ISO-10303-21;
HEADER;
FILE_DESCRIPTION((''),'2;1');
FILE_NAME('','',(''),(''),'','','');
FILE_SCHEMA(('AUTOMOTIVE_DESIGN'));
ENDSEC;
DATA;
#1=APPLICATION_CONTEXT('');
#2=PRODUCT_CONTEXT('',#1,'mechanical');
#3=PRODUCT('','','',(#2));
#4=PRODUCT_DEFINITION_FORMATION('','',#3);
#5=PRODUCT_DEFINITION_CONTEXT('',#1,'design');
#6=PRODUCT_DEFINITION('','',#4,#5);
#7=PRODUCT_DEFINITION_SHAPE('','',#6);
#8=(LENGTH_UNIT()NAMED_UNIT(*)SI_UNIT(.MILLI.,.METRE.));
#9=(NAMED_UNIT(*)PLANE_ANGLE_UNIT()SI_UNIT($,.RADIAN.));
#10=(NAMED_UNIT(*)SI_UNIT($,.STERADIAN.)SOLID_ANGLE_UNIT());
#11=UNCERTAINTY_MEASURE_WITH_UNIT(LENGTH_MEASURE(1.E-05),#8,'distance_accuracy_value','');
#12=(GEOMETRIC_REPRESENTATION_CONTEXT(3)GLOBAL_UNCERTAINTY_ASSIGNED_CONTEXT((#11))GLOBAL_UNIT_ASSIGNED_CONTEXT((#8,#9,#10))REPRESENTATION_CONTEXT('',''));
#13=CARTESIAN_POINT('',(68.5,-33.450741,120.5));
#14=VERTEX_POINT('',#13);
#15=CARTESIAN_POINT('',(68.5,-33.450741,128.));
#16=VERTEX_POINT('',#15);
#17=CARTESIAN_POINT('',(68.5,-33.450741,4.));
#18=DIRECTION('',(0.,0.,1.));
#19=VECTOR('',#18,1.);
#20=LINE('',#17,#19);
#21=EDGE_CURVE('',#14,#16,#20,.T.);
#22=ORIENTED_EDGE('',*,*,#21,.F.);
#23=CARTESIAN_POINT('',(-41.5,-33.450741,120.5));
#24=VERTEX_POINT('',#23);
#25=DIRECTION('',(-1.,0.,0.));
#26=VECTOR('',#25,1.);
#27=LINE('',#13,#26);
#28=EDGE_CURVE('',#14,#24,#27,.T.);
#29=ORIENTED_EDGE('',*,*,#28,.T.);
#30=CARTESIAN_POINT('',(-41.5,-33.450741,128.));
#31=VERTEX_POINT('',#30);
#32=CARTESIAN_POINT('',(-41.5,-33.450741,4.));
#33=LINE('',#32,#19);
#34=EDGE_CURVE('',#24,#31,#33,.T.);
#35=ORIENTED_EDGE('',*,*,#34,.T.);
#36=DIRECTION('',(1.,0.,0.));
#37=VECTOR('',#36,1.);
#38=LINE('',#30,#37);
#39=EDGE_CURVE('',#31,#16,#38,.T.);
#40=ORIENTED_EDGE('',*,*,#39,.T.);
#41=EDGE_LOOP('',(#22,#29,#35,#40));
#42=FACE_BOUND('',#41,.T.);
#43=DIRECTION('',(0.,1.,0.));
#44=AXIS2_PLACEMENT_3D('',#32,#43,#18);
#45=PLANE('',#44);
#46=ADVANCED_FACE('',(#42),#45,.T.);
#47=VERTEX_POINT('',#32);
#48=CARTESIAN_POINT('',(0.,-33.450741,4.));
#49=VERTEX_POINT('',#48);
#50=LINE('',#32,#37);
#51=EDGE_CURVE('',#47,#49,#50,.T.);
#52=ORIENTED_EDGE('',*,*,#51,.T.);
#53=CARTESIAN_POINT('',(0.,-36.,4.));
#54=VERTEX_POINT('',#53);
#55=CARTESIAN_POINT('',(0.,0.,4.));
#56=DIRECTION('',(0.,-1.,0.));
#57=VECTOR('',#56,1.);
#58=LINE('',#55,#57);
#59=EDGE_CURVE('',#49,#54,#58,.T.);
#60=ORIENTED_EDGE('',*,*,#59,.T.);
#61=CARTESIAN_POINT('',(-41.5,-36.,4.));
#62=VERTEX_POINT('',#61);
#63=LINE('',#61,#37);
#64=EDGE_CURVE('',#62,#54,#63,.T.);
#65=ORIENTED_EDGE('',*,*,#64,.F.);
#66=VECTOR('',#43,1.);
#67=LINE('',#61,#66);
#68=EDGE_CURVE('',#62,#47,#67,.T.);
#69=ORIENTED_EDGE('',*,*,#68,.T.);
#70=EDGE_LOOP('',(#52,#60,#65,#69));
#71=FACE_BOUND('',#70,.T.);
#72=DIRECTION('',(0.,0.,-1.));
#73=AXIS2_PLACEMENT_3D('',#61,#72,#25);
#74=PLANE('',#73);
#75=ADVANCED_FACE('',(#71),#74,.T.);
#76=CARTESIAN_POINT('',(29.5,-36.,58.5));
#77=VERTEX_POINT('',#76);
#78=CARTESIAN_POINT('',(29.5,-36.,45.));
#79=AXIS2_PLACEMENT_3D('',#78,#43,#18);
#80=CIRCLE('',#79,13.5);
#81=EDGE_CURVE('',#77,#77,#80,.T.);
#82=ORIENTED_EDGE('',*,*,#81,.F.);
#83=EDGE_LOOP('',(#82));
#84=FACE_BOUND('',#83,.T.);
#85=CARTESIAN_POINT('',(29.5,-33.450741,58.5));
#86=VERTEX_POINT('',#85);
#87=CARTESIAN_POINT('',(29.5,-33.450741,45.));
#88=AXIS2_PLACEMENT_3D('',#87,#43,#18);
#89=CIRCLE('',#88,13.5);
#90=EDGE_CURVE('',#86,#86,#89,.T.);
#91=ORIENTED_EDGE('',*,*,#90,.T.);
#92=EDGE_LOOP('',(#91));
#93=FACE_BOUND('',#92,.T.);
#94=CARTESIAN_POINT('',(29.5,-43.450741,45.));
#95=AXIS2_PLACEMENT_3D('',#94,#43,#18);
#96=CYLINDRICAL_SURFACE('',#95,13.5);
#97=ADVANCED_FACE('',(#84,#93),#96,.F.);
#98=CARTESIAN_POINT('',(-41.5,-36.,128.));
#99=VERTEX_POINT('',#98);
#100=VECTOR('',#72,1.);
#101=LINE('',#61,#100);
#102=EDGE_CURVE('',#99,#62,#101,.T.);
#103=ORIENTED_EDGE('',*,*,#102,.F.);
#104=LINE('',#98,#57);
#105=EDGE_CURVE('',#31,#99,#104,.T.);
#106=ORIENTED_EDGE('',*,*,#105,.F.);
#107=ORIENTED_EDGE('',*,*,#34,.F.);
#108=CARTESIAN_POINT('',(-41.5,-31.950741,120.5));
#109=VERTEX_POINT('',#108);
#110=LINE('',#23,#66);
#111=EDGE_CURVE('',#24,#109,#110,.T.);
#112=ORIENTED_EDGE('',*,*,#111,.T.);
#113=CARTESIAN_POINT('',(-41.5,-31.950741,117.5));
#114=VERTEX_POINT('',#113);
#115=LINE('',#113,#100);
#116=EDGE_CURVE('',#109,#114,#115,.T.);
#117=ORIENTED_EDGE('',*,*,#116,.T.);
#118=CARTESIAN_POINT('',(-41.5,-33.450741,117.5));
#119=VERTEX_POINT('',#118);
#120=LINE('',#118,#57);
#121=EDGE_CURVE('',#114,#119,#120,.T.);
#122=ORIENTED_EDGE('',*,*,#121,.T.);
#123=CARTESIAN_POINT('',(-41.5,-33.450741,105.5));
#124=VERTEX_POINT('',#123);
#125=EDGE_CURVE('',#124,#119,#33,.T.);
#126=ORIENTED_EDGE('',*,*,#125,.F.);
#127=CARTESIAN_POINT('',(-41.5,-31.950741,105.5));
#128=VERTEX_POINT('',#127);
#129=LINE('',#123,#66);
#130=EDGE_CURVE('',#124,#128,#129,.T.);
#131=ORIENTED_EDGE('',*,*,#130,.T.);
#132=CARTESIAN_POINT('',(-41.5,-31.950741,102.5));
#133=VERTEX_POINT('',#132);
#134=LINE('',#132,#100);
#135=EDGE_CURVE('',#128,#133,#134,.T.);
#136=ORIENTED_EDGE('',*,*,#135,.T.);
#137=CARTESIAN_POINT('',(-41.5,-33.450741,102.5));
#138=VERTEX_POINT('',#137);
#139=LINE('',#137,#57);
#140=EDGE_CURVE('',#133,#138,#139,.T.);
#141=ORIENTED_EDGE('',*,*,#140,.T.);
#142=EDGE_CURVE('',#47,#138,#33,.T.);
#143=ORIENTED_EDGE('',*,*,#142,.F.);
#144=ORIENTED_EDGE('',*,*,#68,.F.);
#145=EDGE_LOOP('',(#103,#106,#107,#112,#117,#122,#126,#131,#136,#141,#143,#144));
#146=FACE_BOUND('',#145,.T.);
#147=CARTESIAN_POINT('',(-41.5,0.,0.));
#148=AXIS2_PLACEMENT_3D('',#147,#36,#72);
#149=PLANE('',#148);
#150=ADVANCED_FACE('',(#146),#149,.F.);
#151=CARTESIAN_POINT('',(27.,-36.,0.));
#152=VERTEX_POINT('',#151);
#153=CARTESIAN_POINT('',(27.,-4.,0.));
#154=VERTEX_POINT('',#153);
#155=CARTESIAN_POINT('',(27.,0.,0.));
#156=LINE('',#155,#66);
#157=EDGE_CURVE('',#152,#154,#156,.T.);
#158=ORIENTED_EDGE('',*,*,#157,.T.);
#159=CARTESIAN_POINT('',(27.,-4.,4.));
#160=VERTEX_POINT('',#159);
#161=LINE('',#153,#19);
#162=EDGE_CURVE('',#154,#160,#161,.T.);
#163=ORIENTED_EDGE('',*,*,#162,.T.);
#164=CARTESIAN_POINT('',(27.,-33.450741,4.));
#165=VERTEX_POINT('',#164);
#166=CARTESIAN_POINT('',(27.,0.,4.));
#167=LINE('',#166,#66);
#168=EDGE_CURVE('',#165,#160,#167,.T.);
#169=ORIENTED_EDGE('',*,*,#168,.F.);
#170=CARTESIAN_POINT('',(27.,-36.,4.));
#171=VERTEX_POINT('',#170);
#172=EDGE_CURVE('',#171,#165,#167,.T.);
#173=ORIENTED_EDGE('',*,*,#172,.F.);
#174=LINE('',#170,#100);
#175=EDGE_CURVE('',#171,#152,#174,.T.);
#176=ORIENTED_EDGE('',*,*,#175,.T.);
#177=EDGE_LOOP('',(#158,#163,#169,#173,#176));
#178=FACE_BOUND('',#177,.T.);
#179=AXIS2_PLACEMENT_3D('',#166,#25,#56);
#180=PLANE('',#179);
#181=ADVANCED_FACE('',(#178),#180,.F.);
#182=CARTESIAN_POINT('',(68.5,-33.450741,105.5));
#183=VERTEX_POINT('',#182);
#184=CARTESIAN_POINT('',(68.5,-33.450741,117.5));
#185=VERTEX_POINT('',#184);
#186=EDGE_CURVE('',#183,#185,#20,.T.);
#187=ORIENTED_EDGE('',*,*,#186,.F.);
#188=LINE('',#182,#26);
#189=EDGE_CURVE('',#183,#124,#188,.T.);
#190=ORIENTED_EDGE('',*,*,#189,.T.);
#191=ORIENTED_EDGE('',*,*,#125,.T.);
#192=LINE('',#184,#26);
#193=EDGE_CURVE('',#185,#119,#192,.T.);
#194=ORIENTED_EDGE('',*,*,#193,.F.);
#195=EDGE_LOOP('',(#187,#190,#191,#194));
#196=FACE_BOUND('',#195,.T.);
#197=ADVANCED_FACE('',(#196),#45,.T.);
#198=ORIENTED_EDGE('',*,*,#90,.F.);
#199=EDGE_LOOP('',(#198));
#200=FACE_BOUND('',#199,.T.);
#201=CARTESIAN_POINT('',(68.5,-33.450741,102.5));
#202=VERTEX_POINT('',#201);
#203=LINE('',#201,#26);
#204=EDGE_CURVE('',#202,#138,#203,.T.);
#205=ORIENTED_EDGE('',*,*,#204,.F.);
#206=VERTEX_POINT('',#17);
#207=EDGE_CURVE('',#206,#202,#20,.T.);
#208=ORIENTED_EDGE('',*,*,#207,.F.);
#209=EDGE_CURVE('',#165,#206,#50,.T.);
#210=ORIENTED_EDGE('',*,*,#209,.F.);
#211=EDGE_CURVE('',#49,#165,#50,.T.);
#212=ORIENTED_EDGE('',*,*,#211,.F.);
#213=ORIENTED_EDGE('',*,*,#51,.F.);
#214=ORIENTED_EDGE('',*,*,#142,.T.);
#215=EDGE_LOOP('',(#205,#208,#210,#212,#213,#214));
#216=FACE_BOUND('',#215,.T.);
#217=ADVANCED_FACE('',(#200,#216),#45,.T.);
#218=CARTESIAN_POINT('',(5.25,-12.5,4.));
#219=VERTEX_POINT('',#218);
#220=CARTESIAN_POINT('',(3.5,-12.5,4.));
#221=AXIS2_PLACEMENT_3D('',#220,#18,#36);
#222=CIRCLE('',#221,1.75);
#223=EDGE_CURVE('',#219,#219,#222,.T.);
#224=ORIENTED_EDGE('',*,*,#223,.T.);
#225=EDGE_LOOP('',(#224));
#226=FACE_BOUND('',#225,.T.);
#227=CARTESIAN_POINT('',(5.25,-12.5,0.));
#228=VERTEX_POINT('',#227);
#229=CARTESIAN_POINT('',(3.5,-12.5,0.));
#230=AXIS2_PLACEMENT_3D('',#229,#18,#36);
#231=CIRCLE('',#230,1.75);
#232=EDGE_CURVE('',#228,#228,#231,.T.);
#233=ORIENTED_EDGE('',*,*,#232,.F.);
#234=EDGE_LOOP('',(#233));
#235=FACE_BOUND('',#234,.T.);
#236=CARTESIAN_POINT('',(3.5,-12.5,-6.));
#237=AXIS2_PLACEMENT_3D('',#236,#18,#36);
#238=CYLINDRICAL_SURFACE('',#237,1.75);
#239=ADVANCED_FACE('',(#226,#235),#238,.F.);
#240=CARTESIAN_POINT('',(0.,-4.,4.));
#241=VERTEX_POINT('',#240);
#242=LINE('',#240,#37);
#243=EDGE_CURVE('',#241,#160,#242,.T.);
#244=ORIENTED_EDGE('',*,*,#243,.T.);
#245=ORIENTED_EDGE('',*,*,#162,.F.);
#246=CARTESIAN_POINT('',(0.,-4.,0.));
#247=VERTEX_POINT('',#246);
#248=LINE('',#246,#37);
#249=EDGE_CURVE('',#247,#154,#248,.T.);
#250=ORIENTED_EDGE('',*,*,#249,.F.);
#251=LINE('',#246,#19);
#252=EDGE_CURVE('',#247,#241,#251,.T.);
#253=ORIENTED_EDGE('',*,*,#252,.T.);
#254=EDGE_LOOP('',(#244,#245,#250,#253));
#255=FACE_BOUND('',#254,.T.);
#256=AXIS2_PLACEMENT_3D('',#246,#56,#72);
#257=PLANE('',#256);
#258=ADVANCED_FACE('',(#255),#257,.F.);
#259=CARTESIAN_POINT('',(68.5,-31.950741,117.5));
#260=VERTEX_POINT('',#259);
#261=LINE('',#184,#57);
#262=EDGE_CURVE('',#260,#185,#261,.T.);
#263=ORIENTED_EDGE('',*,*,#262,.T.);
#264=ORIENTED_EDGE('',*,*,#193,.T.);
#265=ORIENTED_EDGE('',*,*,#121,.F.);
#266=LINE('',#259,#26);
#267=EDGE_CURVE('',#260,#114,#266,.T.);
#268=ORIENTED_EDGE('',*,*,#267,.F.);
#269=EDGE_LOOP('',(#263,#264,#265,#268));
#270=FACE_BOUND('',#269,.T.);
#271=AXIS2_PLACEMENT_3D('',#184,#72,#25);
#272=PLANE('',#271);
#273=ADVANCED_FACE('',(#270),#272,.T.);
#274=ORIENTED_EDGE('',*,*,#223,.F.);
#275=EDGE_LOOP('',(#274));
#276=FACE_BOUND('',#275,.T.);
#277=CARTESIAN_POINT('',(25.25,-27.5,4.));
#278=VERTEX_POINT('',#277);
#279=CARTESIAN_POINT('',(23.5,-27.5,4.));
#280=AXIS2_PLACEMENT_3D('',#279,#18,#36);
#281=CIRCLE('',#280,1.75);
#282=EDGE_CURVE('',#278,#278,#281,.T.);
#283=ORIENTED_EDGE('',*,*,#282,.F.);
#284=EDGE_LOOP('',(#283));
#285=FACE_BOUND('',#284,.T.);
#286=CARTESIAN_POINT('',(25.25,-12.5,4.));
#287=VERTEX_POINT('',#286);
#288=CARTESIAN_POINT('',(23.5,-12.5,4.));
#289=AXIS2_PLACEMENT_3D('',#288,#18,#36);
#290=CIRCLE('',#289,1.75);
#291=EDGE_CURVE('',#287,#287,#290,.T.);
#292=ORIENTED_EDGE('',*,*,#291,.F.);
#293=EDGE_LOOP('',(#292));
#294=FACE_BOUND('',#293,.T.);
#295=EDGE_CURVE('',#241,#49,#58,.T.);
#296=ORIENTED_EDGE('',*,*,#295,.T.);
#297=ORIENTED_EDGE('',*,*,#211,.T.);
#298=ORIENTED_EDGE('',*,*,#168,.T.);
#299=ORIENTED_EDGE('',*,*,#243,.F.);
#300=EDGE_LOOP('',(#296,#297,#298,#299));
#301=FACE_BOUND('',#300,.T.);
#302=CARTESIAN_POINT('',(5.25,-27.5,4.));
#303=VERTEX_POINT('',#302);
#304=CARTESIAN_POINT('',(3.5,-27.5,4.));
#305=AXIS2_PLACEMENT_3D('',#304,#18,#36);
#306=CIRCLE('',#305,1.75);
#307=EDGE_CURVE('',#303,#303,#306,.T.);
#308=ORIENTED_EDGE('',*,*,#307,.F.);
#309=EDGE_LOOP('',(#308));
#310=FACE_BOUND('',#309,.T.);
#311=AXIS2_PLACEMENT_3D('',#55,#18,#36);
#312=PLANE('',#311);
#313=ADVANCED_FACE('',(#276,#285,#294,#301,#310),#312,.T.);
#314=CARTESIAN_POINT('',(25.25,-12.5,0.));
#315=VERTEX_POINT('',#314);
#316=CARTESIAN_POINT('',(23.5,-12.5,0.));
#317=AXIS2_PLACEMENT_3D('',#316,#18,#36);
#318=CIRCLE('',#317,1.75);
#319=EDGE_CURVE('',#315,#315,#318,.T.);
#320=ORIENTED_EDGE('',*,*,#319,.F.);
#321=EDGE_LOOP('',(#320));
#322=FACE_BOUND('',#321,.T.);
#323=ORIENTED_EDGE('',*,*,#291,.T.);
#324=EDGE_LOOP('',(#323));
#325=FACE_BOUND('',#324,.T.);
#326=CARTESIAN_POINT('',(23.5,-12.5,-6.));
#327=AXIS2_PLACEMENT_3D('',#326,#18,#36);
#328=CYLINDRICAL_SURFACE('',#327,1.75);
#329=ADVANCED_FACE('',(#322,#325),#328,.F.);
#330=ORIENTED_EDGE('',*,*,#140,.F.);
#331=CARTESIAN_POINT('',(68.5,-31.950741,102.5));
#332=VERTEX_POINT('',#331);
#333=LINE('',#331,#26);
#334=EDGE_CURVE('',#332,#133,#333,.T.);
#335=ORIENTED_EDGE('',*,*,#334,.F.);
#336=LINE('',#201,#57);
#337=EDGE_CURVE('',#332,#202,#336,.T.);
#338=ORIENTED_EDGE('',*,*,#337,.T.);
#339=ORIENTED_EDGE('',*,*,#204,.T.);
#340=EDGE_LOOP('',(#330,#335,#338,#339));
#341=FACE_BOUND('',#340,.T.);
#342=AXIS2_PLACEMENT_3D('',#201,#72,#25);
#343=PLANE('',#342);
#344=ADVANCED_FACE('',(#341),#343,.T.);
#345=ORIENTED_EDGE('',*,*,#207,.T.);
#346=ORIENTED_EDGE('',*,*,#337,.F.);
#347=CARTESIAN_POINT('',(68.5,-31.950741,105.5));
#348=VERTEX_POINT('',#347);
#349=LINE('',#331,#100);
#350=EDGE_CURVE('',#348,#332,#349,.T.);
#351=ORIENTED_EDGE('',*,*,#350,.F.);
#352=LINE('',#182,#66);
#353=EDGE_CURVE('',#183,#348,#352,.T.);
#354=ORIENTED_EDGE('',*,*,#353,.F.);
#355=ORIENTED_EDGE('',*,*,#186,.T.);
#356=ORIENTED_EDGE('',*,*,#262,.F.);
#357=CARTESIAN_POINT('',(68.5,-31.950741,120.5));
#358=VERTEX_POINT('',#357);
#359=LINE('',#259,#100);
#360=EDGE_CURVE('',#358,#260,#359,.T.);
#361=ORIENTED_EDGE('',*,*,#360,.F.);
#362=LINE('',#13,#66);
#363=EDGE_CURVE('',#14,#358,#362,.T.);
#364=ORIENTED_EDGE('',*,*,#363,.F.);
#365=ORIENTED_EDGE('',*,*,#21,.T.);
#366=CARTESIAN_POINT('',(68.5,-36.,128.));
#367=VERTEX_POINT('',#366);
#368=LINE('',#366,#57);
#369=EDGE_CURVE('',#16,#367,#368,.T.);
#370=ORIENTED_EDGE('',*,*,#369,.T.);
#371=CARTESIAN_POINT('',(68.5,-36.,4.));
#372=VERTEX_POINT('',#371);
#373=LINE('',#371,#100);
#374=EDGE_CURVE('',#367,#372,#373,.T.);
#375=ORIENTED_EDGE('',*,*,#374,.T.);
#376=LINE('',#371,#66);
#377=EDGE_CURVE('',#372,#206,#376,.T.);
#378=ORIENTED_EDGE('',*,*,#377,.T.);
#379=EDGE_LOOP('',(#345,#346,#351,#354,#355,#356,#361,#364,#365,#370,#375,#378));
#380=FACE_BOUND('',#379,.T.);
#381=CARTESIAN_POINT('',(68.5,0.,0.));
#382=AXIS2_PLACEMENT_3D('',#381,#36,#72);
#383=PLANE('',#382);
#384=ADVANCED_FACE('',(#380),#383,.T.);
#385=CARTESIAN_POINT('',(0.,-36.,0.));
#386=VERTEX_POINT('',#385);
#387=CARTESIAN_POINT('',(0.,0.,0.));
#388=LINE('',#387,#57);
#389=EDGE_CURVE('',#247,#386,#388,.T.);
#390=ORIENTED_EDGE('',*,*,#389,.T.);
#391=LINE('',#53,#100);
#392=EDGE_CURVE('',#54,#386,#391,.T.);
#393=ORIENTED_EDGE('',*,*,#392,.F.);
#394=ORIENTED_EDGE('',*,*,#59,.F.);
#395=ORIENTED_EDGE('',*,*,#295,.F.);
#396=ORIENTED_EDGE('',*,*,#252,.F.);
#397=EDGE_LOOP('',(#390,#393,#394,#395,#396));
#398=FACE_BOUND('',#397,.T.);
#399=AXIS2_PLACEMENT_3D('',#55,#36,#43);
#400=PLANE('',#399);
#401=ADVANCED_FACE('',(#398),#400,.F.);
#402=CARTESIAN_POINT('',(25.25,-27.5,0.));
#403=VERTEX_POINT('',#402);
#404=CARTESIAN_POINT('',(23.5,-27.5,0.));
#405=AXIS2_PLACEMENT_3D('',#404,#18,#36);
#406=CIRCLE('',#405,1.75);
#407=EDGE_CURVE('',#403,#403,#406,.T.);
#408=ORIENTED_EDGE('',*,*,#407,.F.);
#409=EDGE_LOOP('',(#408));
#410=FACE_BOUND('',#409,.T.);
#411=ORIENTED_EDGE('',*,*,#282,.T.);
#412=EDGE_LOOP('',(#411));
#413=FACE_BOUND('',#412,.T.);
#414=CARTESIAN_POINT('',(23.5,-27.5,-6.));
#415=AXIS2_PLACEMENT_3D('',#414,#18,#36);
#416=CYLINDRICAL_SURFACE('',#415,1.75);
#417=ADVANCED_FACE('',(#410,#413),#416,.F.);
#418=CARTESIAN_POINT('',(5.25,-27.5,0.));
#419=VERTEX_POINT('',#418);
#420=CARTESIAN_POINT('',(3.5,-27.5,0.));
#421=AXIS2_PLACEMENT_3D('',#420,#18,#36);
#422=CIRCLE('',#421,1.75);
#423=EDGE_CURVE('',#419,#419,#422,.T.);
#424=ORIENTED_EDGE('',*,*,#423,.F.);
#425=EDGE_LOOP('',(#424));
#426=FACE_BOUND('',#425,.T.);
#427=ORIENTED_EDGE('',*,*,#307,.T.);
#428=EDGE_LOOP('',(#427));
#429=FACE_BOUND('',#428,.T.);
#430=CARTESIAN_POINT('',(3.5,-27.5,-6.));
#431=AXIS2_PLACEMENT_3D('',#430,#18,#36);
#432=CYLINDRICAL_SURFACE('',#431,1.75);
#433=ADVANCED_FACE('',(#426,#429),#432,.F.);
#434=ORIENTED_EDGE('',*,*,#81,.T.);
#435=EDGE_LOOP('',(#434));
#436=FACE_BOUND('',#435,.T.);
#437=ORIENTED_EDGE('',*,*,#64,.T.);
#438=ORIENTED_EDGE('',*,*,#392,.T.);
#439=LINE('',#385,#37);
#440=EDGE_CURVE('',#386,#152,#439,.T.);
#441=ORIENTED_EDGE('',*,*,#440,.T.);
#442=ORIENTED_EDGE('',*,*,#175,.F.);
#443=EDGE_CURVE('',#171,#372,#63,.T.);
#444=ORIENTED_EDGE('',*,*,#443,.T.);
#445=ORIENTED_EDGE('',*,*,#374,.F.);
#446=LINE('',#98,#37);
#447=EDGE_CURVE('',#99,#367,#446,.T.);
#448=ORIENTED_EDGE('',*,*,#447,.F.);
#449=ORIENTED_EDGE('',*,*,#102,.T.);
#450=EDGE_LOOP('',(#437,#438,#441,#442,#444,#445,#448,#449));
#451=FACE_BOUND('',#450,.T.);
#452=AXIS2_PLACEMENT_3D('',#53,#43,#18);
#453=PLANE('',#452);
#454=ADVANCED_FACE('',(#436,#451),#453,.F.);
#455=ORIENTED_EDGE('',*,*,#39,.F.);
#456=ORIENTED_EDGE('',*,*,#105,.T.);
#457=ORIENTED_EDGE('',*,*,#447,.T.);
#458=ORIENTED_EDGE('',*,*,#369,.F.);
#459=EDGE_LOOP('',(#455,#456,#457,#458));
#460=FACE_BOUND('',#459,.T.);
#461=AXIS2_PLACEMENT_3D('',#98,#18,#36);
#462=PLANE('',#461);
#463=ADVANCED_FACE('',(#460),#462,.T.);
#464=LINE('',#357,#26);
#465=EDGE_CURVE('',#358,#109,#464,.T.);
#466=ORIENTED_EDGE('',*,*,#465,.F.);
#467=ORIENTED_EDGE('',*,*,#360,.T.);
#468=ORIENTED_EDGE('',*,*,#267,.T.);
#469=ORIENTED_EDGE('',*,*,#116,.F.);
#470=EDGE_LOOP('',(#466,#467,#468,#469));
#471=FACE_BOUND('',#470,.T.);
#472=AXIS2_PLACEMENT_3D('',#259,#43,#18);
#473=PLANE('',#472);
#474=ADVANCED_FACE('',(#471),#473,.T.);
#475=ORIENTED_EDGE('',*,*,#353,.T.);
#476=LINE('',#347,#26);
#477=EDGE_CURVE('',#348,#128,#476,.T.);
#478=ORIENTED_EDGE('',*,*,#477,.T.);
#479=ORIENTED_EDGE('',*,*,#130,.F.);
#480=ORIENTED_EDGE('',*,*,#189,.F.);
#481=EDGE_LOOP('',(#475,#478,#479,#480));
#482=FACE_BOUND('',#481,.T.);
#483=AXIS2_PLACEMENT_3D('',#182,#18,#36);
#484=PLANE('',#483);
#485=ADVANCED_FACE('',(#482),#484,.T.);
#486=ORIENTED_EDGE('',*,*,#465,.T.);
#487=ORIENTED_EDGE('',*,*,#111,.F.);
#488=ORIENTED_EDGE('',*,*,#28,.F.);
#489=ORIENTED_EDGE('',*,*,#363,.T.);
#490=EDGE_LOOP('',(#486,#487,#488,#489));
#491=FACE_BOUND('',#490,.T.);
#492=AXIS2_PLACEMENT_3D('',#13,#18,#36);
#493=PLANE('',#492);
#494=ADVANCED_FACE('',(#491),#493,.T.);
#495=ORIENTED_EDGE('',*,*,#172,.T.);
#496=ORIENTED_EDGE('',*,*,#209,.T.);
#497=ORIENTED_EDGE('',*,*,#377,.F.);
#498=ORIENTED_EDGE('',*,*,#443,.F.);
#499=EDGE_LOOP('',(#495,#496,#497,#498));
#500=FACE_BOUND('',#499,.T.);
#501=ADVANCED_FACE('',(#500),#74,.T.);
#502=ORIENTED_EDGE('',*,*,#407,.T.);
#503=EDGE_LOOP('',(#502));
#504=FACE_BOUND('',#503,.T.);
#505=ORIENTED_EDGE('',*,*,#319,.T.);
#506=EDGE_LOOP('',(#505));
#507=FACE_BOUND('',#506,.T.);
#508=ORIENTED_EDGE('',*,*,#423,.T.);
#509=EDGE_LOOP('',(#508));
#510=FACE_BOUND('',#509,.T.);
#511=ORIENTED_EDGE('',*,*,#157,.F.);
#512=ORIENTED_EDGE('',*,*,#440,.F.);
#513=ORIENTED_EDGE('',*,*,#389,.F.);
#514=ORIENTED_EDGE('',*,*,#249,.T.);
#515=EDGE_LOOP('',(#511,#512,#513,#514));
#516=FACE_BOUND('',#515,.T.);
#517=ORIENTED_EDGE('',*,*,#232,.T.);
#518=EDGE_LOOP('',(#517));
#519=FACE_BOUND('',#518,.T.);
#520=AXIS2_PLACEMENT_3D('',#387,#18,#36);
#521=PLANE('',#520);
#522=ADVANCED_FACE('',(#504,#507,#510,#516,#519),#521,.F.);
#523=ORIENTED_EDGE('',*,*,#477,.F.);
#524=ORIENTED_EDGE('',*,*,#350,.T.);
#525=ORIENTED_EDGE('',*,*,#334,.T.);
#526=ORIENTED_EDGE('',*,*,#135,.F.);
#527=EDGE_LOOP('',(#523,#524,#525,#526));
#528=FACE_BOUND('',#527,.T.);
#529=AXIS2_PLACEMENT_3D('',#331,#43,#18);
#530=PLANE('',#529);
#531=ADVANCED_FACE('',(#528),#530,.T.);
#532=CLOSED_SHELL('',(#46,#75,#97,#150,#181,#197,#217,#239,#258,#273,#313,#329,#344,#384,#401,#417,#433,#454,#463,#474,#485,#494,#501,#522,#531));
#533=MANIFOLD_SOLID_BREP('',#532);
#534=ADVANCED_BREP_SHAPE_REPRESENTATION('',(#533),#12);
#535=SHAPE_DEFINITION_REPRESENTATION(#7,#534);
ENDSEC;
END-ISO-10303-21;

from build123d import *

# Parameters (mm, degrees)
SCHIZZO1_W                        = 27
SCHIZZO1_H                        = 36
ESTRUSIONE_ESTRUSIONE1_DEPTH      = 4
SCHIZZO10_R                       = 1.75
TAGLIO_ESTRUSIONE5_DEPTH          = 10
SCHIZZO12_W                       = 124
SCHIZZO12_H                       = 2.549259356
ESTRUSIONE_ESTRUSIONE2_DEPTH      = 55
ESTRUSIONE_ESTRUSIONE2_DEPTH_BACK = 55
SCHIZZO14_W                       = 3
SCHIZZO14_H                       = 1.5
ESTRUSIONE_ESTRUSIONE3_DEPTH      = 110
SCHIZZO15_W                       = 27
SCHIZZO15_H                       = 4
TAGLIO_ESTRUSIONE6_DEPTH          = 5
SCHIZZO16_R                       = 13.5
TAGLIO_ESTRUSIONE7_DEPTH          = 10


with BuildPart() as part:
    # Schizzo1 → Estrusione-Estrusione1 (new body)
    with BuildSketch(Plane.XY):
        with Locations((13.5, -18)):
            Rectangle(SCHIZZO1_W, SCHIZZO1_H)
    extrude(amount=ESTRUSIONE_ESTRUSIONE1_DEPTH)

    # Schizzo10 → Taglio-Estrusione5 (cut)
    with BuildSketch(Plane.XY.offset(4)):
        with Locations((3.5, -12.5)):
            Circle(SCHIZZO10_R)
        with Locations((23.5, -12.5)):
            Circle(SCHIZZO10_R)
        with Locations((23.5, -27.5)):
            Circle(SCHIZZO10_R)
        with Locations((3.5, -27.5)):
            Circle(SCHIZZO10_R)
    extrude(amount=-TAGLIO_ESTRUSIONE5_DEPTH, mode=Mode.SUBTRACT)

    # Schizzo12 → Estrusione-Estrusione2 (add, two sides)
    with BuildSketch(Plane(origin=(13.5, 0, 0), x_dir=(0, 0, -1), z_dir=(1, 0, 0))) as estrusione_estrusione2_sk:
        with Locations((-66, -34.725370322)):
            Rectangle(SCHIZZO12_W, SCHIZZO12_H)
    extrude(amount=ESTRUSIONE_ESTRUSIONE2_DEPTH)
    extrude(estrusione_estrusione2_sk.sketch, amount=-ESTRUSIONE_ESTRUSIONE2_DEPTH_BACK)

    # Schizzo14 → Estrusione-Estrusione3 (add)
    with BuildSketch(Plane.ZY.offset(41.5)):
        with Locations((104, -32.700740644)):
            Rectangle(SCHIZZO14_W, SCHIZZO14_H)
        with Locations((119, -32.700740644)):
            Rectangle(SCHIZZO14_W, SCHIZZO14_H)
    extrude(amount=-ESTRUSIONE_ESTRUSIONE3_DEPTH)

    # Schizzo15 → Taglio-Estrusione6 (cut, through all)
    with BuildSketch(Plane.XY.offset(4)):
        with Locations((13.5, -2)):
            Rectangle(SCHIZZO15_W, SCHIZZO15_H)
    extrude(amount=-TAGLIO_ESTRUSIONE6_DEPTH, mode=Mode.SUBTRACT)

    # Schizzo16 → Taglio-Estrusione7 (cut)
    with BuildSketch(Plane(origin=(0, -33.450740644, 0), x_dir=(1, 0, 0), z_dir=(0, 1, 0))):
        with Locations((29.5, -45)):
            Circle(SCHIZZO16_R)
    extrude(amount=-TAGLIO_ESTRUSIONE7_DEPTH, mode=Mode.SUBTRACT)


solid = part.part
